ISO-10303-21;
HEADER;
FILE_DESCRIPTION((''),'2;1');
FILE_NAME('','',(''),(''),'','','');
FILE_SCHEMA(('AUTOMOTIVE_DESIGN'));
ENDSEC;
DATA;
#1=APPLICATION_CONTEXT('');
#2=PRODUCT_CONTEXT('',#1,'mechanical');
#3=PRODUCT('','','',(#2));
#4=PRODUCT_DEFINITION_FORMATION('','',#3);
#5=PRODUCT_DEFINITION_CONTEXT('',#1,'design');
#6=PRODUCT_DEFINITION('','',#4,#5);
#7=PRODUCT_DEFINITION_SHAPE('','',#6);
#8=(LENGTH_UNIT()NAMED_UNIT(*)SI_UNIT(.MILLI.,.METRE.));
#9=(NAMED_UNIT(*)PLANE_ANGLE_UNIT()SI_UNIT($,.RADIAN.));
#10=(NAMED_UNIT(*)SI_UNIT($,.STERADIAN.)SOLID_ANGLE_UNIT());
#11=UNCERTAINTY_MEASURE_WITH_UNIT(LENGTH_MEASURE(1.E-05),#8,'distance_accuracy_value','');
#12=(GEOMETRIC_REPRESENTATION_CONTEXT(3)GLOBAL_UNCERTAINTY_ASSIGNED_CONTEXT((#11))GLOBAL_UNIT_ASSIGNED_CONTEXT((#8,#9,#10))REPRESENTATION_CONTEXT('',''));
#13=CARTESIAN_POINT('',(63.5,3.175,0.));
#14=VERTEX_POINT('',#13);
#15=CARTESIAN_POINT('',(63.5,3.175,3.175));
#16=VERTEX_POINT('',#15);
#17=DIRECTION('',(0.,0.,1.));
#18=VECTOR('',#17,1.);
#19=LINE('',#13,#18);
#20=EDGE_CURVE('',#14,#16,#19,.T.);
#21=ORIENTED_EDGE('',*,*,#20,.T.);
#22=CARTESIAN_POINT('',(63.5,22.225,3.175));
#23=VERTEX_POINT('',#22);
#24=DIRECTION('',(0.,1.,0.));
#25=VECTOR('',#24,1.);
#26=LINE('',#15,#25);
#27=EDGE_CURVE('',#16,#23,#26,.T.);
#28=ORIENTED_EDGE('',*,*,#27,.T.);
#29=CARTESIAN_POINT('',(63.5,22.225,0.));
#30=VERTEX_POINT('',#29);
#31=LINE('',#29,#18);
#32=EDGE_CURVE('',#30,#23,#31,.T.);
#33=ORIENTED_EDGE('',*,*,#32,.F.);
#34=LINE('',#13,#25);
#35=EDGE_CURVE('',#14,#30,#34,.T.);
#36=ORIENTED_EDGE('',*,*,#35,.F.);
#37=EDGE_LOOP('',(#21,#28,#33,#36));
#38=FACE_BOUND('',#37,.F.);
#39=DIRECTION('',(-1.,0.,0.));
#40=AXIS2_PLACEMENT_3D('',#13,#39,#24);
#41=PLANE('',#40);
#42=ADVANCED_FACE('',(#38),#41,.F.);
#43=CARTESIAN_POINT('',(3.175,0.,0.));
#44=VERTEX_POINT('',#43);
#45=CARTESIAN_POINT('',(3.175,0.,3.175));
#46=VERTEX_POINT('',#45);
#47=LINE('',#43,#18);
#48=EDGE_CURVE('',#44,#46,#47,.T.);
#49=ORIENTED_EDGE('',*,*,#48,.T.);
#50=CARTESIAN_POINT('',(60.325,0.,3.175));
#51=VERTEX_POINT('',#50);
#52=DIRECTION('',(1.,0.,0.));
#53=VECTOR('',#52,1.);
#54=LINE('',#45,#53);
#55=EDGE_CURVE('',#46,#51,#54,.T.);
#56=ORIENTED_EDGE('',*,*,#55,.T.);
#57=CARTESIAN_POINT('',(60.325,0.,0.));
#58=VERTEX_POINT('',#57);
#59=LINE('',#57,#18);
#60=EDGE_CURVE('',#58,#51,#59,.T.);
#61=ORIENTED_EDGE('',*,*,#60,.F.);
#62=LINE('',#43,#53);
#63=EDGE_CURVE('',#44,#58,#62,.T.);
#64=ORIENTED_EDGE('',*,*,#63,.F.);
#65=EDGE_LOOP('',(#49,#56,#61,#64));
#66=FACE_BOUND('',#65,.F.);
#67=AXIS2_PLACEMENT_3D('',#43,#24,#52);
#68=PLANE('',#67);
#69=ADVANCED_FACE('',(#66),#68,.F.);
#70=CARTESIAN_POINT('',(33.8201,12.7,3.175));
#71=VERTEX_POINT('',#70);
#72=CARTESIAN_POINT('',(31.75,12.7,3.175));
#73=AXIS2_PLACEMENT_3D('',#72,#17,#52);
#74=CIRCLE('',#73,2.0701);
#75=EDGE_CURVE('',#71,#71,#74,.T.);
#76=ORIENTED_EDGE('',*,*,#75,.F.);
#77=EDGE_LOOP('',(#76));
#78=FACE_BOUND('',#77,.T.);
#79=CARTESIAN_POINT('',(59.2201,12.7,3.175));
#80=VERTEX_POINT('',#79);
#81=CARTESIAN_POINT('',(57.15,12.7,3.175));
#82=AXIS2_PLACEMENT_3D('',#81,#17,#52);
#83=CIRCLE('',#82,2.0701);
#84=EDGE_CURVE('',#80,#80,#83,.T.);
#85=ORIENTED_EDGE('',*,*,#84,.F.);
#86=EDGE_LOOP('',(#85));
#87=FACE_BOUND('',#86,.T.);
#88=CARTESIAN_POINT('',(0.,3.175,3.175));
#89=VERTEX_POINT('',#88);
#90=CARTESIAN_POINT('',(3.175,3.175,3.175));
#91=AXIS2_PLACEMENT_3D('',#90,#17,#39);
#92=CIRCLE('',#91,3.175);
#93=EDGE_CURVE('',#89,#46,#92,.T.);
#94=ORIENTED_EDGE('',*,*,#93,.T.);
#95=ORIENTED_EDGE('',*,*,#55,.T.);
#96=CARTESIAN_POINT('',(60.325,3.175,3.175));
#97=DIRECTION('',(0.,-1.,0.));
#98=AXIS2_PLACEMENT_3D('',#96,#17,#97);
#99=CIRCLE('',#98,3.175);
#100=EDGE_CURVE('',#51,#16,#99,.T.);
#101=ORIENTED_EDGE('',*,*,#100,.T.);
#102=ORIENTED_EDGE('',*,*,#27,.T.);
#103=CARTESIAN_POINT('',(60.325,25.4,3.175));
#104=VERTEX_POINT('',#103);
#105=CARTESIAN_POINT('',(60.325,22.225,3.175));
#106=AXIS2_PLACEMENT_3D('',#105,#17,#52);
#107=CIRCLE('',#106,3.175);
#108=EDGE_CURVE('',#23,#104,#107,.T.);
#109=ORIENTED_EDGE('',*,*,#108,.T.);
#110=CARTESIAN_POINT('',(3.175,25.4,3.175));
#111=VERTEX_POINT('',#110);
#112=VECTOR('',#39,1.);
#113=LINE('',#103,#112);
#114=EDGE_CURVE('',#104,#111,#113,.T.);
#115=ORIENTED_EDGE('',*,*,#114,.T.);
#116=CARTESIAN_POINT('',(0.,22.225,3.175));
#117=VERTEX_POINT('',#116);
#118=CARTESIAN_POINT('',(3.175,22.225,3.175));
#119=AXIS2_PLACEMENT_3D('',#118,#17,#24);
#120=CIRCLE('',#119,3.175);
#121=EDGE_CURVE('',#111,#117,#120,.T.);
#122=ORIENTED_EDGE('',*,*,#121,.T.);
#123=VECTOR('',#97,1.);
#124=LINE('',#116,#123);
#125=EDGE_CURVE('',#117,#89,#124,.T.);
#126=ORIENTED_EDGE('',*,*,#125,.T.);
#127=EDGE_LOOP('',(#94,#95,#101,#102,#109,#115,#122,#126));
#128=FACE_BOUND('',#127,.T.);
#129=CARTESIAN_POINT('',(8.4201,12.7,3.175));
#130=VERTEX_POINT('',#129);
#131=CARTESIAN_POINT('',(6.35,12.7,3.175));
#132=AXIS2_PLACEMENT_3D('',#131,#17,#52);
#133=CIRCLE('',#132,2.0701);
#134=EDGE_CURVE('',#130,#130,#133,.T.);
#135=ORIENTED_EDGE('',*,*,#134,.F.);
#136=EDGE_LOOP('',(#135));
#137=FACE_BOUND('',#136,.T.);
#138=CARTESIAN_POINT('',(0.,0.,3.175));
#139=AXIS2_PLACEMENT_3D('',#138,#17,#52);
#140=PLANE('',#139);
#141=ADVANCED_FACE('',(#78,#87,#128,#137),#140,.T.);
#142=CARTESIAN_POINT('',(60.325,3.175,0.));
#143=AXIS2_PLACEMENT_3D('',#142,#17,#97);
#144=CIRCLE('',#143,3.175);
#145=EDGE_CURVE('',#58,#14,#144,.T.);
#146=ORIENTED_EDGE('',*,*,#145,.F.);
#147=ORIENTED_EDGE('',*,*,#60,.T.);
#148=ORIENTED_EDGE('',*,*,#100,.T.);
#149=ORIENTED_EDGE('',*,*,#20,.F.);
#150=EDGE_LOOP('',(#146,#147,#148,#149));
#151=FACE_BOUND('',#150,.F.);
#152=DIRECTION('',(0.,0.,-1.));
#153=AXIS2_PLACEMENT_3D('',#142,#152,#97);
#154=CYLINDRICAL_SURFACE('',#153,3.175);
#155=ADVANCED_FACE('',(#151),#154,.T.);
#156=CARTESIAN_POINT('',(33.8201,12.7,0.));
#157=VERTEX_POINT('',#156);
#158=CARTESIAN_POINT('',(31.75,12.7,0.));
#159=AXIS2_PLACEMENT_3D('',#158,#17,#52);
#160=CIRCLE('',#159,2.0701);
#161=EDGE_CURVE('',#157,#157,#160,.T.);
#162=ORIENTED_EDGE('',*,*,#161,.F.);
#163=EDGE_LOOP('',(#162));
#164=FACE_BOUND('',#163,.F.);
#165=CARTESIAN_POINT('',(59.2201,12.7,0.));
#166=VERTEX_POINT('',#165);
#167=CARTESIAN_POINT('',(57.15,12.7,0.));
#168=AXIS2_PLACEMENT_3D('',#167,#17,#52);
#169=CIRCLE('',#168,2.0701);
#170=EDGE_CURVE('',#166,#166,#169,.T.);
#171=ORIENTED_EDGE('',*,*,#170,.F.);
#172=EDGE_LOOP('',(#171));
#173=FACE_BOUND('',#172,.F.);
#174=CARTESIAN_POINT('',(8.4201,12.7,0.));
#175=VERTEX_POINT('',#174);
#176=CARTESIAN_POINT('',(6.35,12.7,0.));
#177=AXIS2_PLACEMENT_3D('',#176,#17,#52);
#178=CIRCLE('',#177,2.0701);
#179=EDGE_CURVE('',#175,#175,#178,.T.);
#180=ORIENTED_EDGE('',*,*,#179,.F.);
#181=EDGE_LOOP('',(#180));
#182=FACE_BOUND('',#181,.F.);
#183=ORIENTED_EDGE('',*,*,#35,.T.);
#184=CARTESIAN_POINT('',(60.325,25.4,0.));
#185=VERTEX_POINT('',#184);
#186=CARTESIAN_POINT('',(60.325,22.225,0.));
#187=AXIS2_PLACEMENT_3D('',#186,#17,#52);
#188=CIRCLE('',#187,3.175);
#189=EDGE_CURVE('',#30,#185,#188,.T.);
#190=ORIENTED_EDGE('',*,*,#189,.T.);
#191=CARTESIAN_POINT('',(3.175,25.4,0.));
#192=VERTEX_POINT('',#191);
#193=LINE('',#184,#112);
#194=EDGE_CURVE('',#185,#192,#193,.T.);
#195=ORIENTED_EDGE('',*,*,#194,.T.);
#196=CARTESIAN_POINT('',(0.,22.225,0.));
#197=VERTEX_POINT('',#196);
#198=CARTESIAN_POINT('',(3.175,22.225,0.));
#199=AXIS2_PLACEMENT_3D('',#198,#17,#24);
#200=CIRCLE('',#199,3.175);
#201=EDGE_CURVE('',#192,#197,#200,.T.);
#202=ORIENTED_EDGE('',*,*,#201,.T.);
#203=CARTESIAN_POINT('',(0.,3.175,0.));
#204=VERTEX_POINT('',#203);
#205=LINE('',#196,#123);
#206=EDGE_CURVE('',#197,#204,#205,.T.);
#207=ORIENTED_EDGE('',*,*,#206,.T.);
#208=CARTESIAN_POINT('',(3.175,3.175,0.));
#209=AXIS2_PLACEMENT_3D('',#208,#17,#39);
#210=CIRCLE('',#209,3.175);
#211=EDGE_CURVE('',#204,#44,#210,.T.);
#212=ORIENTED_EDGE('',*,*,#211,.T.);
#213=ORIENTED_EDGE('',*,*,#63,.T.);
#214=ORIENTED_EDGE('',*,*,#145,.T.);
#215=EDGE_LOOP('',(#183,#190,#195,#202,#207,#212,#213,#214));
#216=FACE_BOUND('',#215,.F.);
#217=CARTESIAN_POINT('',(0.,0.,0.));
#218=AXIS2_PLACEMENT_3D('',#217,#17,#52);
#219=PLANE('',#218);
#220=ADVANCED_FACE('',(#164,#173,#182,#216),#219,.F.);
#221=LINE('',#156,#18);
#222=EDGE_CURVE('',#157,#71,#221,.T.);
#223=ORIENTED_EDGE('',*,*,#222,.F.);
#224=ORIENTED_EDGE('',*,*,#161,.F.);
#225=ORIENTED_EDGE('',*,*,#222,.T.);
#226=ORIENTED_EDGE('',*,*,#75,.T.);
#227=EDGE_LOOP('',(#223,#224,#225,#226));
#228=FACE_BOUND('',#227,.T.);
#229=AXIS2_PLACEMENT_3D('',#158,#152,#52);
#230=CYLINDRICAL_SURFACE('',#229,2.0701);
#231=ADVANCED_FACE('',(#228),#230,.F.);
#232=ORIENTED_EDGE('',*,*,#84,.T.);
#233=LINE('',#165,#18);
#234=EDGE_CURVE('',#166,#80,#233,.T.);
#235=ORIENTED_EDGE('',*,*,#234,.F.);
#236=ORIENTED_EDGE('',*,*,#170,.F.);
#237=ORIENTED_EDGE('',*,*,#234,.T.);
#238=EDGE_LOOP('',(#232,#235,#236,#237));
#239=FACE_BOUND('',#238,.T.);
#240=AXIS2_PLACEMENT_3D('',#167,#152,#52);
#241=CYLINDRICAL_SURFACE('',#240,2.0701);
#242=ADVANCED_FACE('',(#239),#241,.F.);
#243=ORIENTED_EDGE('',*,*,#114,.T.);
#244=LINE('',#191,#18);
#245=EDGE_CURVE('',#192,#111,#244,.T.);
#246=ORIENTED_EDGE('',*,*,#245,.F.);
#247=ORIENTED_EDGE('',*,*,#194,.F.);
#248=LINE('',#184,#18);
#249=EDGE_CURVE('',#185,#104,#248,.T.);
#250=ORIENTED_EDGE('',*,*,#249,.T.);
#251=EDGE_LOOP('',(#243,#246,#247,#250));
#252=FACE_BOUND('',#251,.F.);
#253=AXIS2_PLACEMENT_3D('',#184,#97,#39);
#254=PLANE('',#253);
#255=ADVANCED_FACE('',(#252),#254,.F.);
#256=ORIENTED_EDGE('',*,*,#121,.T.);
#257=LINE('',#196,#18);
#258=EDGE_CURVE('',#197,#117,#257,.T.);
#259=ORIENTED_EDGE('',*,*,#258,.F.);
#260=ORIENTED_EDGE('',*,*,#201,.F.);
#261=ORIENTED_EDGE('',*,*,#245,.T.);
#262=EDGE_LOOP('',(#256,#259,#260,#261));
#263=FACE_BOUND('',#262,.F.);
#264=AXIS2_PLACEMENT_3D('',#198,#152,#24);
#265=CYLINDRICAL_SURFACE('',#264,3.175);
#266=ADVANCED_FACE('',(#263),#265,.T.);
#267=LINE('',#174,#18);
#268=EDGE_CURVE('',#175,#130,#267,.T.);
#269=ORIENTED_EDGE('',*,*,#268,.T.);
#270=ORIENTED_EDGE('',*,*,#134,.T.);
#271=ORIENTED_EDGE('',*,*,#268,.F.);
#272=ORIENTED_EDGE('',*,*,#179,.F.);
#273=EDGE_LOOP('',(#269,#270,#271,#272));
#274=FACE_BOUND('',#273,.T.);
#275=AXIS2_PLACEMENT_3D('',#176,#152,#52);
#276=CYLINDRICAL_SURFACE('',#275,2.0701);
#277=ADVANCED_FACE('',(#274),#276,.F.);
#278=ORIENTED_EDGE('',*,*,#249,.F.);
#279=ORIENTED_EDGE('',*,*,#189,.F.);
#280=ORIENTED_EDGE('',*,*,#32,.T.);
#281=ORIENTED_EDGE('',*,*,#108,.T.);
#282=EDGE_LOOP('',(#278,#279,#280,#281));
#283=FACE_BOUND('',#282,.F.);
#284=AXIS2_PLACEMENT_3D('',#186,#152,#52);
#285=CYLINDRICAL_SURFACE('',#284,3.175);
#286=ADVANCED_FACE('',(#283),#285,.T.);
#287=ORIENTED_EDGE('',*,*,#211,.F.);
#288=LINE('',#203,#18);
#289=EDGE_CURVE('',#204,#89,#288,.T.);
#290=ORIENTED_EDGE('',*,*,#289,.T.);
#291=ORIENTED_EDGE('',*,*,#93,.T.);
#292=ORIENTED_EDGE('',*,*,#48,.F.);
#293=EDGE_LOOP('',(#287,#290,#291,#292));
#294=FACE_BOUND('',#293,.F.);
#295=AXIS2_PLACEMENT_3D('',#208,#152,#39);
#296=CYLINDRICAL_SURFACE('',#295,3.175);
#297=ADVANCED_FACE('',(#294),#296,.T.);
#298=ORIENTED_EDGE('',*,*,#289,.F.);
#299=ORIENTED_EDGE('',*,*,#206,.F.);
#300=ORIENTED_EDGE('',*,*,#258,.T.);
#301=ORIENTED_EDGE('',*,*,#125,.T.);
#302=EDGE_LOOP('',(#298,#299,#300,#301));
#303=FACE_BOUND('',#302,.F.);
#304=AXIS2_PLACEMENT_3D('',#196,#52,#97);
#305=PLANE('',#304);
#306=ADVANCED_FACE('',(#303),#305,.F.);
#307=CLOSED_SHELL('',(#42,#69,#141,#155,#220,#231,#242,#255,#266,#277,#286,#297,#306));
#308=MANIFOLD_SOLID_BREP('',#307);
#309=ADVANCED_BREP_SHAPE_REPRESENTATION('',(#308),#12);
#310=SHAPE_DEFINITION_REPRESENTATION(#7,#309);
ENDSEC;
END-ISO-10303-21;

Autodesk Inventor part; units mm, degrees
ref_plane "YZ Plane" through (0, 0, 0) normal (1, 0, 0) x (0, 1, 0)
ref_plane "XZ Plane" through (0, 0, 0) normal (0, 1, 0) x (-1, 0, 0)
ref_plane "XY Plane" through (0, 0, 0) normal (0, 0, 1) x (1, 0, 0)
sketch "Sketch1" plane through (0, 0, 0) normal (0, 0, 1) x (1, 0, 0)
  line L0 (3.175, 0) -> (60.325, 0)
  line L1 (63.5, 3.175) -> (63.5, 22.225)
  line L2 (60.325, 25.4) -> (3.175, 25.4)
  line L3 (0, 22.225) -> (0, 3.175)
  circle A0 centre (6.35, 12.7) radius 2.0701
  line L4 (0, 12.7) -> (63.5, 12.7) construction
  circle A1 centre (31.75, 12.7) radius 2.0701
  circle A2 centre (57.15, 12.7) radius 2.0701
  arc A3 (3.175, 25.4) -> (0, 22.225) centre (3.175, 22.225) ccw
  arc A4 (63.5, 22.225) -> (60.325, 25.4) centre (60.325, 22.225) ccw
  arc A5 (60.325, 0) -> (63.5, 3.175) centre (60.325, 3.175) ccw
  arc A6 (0, 3.175) -> (3.175, 0) centre (3.175, 3.175) ccw
  point P0 (0, 0)
  point P1 (63.5, 25.4)
  point P2 (63.5, 0)
  point P3 (0, 25.4)
  dimension "d0" = 63.5
  dimension "d1" = 25.4
  dimension "d2" = 6.35
  dimension "d3" = 4.1402
  dimension "d6" = 25.4
  dimension "d11" = 3.175
extrude "Extrusion1" add sketch "Sketch1" along normal blind 3.175
properties part number "Spacer 4" material "Aluminum 6061"
